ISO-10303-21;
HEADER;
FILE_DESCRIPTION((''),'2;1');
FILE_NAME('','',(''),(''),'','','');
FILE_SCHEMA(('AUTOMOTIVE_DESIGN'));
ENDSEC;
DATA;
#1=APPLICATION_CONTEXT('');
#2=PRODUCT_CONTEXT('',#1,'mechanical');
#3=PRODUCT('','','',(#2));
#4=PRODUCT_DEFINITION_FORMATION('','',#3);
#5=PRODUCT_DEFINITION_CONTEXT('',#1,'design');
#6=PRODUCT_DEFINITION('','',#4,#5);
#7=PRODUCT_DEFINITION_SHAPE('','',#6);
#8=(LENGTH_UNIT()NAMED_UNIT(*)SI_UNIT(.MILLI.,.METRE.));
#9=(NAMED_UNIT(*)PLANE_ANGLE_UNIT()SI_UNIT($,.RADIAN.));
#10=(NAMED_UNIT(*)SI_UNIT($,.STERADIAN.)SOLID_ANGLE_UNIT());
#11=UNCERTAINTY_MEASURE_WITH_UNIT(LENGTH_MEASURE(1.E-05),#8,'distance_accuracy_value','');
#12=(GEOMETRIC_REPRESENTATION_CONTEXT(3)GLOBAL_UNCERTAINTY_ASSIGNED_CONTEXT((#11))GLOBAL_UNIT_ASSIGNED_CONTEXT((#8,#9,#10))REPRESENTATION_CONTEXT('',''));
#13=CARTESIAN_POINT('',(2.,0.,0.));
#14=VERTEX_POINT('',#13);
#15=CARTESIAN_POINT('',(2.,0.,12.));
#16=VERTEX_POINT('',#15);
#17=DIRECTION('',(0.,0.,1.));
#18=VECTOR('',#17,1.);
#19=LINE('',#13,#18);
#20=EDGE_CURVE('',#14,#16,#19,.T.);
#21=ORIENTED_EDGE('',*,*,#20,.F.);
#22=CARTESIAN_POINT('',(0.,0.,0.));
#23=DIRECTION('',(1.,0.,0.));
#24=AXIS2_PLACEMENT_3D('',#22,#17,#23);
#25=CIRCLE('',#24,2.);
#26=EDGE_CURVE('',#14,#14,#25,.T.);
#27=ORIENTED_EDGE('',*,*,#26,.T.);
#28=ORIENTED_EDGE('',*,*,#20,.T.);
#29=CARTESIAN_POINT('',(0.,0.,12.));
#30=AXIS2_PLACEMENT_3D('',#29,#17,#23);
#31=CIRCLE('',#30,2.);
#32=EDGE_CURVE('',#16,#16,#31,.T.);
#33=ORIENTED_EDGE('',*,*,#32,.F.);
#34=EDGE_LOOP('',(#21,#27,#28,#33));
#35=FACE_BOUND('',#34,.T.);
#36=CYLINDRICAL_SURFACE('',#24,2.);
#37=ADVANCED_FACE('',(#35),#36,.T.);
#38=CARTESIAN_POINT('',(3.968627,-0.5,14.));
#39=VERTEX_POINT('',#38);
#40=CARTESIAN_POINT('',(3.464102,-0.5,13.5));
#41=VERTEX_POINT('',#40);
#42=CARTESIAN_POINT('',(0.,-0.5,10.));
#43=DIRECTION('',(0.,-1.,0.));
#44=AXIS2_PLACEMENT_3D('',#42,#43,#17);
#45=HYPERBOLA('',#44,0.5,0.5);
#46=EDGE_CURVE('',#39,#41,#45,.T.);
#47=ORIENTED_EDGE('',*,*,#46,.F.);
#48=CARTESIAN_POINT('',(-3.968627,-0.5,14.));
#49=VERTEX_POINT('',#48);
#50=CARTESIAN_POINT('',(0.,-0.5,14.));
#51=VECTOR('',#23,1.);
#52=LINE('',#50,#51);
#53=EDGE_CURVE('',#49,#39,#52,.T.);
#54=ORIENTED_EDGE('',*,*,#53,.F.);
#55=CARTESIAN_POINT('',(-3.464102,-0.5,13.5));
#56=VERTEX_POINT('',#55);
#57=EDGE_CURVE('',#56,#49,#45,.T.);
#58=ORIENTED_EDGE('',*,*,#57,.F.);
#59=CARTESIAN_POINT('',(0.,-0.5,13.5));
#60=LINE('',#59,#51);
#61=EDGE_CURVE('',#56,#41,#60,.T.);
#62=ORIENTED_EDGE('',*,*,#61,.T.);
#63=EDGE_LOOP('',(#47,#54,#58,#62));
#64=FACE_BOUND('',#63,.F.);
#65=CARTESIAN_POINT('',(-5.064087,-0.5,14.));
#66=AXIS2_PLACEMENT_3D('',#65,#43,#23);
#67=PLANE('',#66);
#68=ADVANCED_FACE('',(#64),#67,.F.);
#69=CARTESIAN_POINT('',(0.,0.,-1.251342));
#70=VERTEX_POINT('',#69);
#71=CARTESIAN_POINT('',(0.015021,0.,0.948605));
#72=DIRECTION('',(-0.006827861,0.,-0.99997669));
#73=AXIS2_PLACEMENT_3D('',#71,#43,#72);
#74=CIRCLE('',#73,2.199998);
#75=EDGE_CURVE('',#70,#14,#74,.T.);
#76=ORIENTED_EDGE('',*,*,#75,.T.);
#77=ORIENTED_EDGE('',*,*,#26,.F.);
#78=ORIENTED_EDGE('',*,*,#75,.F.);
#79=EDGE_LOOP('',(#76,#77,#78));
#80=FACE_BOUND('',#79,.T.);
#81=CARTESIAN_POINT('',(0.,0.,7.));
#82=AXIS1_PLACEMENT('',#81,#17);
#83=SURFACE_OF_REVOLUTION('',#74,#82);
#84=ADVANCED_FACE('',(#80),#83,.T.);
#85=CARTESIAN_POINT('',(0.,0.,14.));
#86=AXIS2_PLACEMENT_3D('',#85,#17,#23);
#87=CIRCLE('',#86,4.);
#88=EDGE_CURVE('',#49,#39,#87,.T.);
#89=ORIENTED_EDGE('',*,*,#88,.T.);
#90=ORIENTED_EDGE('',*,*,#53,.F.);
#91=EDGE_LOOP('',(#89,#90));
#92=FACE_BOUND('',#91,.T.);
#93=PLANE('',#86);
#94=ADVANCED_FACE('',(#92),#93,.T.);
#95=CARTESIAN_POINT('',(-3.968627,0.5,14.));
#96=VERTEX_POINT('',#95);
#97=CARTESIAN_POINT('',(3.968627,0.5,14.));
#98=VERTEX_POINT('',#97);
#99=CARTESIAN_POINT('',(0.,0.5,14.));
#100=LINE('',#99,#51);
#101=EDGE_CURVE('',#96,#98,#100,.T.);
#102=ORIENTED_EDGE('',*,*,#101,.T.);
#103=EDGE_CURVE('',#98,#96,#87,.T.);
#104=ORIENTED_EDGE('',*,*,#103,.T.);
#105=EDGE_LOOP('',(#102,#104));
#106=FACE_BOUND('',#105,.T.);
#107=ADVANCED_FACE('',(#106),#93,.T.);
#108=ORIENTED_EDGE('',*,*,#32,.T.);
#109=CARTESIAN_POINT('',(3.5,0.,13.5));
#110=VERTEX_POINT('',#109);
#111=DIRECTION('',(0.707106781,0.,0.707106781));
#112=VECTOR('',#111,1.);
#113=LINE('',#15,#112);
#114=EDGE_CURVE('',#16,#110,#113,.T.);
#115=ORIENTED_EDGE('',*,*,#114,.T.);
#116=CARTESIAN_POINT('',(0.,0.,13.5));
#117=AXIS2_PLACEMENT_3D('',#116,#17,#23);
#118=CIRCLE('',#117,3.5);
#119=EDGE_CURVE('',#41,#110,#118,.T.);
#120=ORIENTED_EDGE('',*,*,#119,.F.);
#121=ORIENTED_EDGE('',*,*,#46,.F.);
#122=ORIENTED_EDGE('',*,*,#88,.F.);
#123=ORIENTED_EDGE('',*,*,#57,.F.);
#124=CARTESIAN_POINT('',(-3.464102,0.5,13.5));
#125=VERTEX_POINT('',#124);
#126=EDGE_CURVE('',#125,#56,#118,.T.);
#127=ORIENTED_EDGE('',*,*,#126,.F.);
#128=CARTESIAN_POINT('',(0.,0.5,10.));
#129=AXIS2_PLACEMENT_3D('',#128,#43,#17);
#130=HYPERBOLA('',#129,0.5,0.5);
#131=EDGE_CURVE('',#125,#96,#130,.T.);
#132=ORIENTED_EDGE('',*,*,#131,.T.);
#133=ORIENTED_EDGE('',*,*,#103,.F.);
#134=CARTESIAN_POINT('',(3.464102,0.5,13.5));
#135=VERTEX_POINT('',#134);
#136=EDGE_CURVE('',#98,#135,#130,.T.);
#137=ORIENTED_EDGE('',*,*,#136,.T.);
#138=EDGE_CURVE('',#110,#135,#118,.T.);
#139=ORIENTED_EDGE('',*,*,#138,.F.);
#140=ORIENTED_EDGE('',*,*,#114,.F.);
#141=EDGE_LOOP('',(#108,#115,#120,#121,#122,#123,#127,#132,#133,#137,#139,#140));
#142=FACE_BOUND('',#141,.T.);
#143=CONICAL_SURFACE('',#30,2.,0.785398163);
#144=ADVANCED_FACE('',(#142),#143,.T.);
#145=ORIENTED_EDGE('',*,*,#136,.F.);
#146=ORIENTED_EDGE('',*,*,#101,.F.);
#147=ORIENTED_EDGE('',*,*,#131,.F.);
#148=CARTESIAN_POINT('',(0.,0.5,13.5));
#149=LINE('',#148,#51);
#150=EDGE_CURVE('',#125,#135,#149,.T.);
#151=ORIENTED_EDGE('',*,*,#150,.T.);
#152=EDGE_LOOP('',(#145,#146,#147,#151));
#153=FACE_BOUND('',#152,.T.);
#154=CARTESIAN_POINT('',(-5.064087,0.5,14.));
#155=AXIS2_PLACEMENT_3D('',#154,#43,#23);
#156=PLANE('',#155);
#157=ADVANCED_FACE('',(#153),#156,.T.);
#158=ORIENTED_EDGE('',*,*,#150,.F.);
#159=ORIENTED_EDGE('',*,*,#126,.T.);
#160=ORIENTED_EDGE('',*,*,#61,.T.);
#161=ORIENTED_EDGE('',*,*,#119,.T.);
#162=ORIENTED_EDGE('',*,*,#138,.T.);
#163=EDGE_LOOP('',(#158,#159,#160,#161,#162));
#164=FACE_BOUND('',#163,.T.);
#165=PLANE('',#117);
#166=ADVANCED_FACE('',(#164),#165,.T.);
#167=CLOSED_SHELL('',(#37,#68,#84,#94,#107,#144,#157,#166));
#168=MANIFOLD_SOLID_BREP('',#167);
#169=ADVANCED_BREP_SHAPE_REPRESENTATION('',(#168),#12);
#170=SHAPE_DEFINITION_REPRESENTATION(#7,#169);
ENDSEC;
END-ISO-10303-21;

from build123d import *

# Parameters (mm, degrees)
F2_W     = 10.128174
F2_H     = 1
F3_DEPTH = 0.5


with BuildPart() as f1:
    # F0 (on Front) → F1 (revolve)
    with BuildSketch(Plane.XZ):
        with BuildLine():
            Line((0, 14), (0, 0))
            Line((0, 0), (0, -1.251342))
            ThreePointArc((0, -1.251342), (1.181918, -0.916427), (2, 0))
            Line((2, 0), (2, 12))
            Line((2, 12), (4, 14))
            Line((4, 14), (0, 14))
        make_face()
    revolve(axis=Axis((0, 0, 7), (0, 0, 1)))

    # F2 (on face) → F3 (cut)
    with BuildSketch(Plane.XY.offset(14)):
        Rectangle(F2_W, F2_H)
    extrude(amount=-F3_DEPTH, mode=Mode.SUBTRACT)


solid = f1.part
